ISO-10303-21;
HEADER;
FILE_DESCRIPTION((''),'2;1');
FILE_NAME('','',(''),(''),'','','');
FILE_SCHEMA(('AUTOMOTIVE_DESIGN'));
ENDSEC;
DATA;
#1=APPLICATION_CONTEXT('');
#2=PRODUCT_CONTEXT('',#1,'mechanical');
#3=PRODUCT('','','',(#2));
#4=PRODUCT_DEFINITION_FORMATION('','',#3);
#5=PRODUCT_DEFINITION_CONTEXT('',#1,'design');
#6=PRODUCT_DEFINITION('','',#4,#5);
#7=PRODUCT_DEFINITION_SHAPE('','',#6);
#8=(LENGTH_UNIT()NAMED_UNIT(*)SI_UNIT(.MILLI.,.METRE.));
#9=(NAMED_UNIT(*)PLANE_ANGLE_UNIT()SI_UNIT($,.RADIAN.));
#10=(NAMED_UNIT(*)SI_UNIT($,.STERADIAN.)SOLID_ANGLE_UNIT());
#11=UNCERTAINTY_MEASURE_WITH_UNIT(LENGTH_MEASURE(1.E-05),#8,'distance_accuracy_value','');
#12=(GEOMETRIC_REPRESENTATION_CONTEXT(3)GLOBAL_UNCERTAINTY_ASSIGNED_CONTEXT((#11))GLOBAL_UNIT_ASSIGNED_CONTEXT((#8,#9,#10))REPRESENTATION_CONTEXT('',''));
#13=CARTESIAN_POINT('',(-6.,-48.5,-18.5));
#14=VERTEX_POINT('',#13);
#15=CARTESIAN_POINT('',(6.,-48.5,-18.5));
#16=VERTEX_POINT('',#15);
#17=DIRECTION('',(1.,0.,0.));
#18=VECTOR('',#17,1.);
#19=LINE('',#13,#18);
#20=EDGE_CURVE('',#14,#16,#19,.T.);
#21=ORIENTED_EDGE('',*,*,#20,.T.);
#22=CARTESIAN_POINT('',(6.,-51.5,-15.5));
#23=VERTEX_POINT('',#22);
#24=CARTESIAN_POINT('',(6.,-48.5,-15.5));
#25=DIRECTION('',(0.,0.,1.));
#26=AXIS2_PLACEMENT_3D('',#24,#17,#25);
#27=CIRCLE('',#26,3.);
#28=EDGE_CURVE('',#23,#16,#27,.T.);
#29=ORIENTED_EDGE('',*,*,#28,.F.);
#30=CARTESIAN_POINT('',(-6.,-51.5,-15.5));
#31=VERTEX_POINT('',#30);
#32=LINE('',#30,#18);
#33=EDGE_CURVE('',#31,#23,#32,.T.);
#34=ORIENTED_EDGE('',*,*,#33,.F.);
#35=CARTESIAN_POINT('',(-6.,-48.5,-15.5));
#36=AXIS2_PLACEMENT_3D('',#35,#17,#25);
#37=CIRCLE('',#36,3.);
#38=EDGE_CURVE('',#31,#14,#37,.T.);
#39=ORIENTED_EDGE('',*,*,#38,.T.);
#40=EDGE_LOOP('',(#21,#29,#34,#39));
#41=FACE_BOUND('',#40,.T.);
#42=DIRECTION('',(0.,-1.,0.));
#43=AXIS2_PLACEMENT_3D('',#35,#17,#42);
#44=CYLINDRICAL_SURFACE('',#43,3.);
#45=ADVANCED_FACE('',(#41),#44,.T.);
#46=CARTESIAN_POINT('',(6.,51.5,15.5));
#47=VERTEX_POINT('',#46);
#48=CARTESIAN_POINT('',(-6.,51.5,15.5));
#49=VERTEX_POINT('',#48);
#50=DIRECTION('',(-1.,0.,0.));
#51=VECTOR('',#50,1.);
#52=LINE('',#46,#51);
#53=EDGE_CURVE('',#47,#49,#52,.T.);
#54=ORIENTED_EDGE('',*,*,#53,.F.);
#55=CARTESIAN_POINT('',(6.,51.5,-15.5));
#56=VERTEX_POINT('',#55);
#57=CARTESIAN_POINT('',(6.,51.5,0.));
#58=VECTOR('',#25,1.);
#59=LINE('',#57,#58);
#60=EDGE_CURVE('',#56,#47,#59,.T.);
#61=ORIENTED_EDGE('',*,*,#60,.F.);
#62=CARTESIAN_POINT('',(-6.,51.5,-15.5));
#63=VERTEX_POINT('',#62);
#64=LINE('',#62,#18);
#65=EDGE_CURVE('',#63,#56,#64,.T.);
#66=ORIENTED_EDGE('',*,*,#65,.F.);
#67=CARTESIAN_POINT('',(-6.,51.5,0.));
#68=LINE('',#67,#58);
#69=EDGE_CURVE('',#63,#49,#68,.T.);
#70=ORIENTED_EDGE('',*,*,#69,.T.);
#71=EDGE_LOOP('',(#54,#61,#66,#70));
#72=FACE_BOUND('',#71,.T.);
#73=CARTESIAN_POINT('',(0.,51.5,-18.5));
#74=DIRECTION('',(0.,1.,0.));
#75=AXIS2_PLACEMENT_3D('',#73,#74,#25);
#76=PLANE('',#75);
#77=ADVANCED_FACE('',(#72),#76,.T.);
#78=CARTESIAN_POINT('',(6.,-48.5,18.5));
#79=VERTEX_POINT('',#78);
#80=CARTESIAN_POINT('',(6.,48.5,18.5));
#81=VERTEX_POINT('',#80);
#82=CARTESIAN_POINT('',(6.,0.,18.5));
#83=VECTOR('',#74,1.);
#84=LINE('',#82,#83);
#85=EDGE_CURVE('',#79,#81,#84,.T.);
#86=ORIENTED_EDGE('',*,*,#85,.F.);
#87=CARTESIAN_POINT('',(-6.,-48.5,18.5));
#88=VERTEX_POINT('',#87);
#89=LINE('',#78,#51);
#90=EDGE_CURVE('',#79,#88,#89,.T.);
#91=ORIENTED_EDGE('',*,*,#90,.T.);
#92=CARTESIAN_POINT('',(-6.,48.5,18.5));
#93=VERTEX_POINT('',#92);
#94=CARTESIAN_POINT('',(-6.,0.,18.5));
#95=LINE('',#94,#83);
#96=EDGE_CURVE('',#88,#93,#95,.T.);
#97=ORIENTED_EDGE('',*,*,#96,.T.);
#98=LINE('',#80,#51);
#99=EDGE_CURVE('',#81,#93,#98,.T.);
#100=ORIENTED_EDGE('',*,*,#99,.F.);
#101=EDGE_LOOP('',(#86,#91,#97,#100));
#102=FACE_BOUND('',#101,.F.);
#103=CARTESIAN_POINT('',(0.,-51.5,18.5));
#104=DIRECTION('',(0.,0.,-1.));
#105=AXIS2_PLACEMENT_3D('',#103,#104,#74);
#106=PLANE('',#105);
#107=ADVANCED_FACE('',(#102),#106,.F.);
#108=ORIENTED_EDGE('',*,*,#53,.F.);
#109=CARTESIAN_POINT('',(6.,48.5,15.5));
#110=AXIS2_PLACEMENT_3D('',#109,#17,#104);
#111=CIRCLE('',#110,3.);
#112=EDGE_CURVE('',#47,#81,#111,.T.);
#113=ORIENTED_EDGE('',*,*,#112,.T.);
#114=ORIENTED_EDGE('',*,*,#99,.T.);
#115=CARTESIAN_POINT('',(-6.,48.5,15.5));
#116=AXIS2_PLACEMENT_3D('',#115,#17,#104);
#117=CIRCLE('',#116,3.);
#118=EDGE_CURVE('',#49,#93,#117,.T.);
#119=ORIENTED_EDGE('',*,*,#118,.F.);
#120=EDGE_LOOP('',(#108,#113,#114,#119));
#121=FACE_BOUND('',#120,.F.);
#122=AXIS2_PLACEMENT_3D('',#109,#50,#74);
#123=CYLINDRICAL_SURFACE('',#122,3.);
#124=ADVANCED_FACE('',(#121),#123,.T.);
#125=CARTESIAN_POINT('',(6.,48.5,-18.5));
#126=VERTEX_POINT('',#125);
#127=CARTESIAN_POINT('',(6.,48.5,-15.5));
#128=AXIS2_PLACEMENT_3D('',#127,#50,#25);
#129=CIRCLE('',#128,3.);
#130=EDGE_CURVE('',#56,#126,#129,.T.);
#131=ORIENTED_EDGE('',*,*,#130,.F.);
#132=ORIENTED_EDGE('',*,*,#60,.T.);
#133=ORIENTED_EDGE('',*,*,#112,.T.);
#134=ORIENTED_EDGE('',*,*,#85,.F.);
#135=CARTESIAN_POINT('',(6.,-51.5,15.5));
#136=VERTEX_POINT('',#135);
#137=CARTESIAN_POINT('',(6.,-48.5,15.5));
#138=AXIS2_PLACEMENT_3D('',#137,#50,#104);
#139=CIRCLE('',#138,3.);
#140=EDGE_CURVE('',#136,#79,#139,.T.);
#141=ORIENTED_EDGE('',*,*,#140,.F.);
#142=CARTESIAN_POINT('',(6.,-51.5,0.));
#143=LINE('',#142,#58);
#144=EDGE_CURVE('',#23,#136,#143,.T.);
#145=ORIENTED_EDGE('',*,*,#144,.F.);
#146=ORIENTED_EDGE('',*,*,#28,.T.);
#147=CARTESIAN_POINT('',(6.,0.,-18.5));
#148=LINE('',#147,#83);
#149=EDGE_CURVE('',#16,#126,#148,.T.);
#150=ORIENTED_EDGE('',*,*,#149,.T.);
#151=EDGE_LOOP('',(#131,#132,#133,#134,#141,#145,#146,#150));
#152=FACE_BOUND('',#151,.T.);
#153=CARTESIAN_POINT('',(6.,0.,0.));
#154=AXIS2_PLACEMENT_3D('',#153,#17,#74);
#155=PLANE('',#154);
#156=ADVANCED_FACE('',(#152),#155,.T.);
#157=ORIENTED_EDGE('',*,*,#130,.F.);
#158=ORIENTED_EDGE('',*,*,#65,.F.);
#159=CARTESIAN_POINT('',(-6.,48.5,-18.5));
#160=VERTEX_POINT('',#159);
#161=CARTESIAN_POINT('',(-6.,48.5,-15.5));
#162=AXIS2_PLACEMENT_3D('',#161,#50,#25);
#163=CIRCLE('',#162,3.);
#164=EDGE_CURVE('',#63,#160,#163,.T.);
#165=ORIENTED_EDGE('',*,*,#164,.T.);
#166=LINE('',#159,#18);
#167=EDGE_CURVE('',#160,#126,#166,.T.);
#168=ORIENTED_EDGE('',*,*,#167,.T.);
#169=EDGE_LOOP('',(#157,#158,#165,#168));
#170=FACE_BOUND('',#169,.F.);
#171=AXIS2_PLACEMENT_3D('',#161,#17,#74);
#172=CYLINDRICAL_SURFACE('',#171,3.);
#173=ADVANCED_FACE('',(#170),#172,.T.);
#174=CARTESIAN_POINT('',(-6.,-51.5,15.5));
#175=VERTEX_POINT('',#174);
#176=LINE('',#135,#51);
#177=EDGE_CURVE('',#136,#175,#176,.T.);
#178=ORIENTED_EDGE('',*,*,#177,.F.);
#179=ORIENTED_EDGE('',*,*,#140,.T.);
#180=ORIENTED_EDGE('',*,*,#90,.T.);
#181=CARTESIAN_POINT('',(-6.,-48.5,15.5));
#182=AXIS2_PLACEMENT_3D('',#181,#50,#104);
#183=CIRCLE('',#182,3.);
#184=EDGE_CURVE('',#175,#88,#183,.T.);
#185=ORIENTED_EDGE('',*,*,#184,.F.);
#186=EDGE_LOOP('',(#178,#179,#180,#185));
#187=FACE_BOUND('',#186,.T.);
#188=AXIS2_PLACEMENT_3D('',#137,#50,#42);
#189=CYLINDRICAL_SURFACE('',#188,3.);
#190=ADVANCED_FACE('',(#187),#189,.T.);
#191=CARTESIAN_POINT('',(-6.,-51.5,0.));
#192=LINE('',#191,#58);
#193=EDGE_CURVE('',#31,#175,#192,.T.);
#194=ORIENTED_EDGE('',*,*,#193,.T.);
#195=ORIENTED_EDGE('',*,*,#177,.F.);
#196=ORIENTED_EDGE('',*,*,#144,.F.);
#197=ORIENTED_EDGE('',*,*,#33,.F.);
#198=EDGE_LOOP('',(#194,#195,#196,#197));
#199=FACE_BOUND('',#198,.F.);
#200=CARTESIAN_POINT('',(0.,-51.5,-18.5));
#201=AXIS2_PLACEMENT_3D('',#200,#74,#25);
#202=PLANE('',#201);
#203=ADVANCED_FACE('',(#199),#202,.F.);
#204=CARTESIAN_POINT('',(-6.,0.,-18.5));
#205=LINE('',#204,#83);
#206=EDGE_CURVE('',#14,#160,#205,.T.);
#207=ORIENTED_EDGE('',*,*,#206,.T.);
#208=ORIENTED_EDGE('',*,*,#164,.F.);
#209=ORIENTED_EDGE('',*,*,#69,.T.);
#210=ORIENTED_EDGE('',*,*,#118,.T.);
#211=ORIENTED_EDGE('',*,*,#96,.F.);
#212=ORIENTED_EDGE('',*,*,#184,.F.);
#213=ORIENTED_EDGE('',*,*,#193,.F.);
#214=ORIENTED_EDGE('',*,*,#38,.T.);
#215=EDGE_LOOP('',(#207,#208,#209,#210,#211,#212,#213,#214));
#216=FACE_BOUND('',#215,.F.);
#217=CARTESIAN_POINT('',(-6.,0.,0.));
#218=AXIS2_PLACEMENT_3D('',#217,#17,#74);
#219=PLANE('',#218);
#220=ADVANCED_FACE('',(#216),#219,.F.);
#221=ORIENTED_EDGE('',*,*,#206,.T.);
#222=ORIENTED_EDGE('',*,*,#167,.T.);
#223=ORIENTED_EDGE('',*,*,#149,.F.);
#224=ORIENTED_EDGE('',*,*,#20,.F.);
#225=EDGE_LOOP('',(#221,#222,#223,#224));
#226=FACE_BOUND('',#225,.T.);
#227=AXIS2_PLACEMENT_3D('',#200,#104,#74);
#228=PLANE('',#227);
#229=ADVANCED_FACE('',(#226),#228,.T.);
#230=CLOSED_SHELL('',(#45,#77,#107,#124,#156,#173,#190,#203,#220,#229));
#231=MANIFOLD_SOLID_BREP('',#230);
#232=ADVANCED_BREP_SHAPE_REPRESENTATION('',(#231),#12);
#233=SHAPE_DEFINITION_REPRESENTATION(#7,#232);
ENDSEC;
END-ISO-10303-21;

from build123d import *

# Parameters (mm, degrees)
F0_W     = 103
F0_H     = 37
F1_DEPTH = 6
F2_R     = 3


with BuildPart() as f1:
    # F0 (on Right) → F1 (new body, symmetric)
    with BuildSketch(Plane.YZ):
        Rectangle(F0_W, F0_H)
    extrude(amount=F1_DEPTH, both=True)

    # F2
    f2_edges = [f1.edges().sort_by_distance(p)[0] for p in [
        (0, -51.5, 18.5),
        (0, -51.5, -18.5),
        (0, 51.5, -18.5),
        (0, 51.5, 18.5),
    ]]
    fillet(f2_edges, radius=F2_R)


solid = f1.part
